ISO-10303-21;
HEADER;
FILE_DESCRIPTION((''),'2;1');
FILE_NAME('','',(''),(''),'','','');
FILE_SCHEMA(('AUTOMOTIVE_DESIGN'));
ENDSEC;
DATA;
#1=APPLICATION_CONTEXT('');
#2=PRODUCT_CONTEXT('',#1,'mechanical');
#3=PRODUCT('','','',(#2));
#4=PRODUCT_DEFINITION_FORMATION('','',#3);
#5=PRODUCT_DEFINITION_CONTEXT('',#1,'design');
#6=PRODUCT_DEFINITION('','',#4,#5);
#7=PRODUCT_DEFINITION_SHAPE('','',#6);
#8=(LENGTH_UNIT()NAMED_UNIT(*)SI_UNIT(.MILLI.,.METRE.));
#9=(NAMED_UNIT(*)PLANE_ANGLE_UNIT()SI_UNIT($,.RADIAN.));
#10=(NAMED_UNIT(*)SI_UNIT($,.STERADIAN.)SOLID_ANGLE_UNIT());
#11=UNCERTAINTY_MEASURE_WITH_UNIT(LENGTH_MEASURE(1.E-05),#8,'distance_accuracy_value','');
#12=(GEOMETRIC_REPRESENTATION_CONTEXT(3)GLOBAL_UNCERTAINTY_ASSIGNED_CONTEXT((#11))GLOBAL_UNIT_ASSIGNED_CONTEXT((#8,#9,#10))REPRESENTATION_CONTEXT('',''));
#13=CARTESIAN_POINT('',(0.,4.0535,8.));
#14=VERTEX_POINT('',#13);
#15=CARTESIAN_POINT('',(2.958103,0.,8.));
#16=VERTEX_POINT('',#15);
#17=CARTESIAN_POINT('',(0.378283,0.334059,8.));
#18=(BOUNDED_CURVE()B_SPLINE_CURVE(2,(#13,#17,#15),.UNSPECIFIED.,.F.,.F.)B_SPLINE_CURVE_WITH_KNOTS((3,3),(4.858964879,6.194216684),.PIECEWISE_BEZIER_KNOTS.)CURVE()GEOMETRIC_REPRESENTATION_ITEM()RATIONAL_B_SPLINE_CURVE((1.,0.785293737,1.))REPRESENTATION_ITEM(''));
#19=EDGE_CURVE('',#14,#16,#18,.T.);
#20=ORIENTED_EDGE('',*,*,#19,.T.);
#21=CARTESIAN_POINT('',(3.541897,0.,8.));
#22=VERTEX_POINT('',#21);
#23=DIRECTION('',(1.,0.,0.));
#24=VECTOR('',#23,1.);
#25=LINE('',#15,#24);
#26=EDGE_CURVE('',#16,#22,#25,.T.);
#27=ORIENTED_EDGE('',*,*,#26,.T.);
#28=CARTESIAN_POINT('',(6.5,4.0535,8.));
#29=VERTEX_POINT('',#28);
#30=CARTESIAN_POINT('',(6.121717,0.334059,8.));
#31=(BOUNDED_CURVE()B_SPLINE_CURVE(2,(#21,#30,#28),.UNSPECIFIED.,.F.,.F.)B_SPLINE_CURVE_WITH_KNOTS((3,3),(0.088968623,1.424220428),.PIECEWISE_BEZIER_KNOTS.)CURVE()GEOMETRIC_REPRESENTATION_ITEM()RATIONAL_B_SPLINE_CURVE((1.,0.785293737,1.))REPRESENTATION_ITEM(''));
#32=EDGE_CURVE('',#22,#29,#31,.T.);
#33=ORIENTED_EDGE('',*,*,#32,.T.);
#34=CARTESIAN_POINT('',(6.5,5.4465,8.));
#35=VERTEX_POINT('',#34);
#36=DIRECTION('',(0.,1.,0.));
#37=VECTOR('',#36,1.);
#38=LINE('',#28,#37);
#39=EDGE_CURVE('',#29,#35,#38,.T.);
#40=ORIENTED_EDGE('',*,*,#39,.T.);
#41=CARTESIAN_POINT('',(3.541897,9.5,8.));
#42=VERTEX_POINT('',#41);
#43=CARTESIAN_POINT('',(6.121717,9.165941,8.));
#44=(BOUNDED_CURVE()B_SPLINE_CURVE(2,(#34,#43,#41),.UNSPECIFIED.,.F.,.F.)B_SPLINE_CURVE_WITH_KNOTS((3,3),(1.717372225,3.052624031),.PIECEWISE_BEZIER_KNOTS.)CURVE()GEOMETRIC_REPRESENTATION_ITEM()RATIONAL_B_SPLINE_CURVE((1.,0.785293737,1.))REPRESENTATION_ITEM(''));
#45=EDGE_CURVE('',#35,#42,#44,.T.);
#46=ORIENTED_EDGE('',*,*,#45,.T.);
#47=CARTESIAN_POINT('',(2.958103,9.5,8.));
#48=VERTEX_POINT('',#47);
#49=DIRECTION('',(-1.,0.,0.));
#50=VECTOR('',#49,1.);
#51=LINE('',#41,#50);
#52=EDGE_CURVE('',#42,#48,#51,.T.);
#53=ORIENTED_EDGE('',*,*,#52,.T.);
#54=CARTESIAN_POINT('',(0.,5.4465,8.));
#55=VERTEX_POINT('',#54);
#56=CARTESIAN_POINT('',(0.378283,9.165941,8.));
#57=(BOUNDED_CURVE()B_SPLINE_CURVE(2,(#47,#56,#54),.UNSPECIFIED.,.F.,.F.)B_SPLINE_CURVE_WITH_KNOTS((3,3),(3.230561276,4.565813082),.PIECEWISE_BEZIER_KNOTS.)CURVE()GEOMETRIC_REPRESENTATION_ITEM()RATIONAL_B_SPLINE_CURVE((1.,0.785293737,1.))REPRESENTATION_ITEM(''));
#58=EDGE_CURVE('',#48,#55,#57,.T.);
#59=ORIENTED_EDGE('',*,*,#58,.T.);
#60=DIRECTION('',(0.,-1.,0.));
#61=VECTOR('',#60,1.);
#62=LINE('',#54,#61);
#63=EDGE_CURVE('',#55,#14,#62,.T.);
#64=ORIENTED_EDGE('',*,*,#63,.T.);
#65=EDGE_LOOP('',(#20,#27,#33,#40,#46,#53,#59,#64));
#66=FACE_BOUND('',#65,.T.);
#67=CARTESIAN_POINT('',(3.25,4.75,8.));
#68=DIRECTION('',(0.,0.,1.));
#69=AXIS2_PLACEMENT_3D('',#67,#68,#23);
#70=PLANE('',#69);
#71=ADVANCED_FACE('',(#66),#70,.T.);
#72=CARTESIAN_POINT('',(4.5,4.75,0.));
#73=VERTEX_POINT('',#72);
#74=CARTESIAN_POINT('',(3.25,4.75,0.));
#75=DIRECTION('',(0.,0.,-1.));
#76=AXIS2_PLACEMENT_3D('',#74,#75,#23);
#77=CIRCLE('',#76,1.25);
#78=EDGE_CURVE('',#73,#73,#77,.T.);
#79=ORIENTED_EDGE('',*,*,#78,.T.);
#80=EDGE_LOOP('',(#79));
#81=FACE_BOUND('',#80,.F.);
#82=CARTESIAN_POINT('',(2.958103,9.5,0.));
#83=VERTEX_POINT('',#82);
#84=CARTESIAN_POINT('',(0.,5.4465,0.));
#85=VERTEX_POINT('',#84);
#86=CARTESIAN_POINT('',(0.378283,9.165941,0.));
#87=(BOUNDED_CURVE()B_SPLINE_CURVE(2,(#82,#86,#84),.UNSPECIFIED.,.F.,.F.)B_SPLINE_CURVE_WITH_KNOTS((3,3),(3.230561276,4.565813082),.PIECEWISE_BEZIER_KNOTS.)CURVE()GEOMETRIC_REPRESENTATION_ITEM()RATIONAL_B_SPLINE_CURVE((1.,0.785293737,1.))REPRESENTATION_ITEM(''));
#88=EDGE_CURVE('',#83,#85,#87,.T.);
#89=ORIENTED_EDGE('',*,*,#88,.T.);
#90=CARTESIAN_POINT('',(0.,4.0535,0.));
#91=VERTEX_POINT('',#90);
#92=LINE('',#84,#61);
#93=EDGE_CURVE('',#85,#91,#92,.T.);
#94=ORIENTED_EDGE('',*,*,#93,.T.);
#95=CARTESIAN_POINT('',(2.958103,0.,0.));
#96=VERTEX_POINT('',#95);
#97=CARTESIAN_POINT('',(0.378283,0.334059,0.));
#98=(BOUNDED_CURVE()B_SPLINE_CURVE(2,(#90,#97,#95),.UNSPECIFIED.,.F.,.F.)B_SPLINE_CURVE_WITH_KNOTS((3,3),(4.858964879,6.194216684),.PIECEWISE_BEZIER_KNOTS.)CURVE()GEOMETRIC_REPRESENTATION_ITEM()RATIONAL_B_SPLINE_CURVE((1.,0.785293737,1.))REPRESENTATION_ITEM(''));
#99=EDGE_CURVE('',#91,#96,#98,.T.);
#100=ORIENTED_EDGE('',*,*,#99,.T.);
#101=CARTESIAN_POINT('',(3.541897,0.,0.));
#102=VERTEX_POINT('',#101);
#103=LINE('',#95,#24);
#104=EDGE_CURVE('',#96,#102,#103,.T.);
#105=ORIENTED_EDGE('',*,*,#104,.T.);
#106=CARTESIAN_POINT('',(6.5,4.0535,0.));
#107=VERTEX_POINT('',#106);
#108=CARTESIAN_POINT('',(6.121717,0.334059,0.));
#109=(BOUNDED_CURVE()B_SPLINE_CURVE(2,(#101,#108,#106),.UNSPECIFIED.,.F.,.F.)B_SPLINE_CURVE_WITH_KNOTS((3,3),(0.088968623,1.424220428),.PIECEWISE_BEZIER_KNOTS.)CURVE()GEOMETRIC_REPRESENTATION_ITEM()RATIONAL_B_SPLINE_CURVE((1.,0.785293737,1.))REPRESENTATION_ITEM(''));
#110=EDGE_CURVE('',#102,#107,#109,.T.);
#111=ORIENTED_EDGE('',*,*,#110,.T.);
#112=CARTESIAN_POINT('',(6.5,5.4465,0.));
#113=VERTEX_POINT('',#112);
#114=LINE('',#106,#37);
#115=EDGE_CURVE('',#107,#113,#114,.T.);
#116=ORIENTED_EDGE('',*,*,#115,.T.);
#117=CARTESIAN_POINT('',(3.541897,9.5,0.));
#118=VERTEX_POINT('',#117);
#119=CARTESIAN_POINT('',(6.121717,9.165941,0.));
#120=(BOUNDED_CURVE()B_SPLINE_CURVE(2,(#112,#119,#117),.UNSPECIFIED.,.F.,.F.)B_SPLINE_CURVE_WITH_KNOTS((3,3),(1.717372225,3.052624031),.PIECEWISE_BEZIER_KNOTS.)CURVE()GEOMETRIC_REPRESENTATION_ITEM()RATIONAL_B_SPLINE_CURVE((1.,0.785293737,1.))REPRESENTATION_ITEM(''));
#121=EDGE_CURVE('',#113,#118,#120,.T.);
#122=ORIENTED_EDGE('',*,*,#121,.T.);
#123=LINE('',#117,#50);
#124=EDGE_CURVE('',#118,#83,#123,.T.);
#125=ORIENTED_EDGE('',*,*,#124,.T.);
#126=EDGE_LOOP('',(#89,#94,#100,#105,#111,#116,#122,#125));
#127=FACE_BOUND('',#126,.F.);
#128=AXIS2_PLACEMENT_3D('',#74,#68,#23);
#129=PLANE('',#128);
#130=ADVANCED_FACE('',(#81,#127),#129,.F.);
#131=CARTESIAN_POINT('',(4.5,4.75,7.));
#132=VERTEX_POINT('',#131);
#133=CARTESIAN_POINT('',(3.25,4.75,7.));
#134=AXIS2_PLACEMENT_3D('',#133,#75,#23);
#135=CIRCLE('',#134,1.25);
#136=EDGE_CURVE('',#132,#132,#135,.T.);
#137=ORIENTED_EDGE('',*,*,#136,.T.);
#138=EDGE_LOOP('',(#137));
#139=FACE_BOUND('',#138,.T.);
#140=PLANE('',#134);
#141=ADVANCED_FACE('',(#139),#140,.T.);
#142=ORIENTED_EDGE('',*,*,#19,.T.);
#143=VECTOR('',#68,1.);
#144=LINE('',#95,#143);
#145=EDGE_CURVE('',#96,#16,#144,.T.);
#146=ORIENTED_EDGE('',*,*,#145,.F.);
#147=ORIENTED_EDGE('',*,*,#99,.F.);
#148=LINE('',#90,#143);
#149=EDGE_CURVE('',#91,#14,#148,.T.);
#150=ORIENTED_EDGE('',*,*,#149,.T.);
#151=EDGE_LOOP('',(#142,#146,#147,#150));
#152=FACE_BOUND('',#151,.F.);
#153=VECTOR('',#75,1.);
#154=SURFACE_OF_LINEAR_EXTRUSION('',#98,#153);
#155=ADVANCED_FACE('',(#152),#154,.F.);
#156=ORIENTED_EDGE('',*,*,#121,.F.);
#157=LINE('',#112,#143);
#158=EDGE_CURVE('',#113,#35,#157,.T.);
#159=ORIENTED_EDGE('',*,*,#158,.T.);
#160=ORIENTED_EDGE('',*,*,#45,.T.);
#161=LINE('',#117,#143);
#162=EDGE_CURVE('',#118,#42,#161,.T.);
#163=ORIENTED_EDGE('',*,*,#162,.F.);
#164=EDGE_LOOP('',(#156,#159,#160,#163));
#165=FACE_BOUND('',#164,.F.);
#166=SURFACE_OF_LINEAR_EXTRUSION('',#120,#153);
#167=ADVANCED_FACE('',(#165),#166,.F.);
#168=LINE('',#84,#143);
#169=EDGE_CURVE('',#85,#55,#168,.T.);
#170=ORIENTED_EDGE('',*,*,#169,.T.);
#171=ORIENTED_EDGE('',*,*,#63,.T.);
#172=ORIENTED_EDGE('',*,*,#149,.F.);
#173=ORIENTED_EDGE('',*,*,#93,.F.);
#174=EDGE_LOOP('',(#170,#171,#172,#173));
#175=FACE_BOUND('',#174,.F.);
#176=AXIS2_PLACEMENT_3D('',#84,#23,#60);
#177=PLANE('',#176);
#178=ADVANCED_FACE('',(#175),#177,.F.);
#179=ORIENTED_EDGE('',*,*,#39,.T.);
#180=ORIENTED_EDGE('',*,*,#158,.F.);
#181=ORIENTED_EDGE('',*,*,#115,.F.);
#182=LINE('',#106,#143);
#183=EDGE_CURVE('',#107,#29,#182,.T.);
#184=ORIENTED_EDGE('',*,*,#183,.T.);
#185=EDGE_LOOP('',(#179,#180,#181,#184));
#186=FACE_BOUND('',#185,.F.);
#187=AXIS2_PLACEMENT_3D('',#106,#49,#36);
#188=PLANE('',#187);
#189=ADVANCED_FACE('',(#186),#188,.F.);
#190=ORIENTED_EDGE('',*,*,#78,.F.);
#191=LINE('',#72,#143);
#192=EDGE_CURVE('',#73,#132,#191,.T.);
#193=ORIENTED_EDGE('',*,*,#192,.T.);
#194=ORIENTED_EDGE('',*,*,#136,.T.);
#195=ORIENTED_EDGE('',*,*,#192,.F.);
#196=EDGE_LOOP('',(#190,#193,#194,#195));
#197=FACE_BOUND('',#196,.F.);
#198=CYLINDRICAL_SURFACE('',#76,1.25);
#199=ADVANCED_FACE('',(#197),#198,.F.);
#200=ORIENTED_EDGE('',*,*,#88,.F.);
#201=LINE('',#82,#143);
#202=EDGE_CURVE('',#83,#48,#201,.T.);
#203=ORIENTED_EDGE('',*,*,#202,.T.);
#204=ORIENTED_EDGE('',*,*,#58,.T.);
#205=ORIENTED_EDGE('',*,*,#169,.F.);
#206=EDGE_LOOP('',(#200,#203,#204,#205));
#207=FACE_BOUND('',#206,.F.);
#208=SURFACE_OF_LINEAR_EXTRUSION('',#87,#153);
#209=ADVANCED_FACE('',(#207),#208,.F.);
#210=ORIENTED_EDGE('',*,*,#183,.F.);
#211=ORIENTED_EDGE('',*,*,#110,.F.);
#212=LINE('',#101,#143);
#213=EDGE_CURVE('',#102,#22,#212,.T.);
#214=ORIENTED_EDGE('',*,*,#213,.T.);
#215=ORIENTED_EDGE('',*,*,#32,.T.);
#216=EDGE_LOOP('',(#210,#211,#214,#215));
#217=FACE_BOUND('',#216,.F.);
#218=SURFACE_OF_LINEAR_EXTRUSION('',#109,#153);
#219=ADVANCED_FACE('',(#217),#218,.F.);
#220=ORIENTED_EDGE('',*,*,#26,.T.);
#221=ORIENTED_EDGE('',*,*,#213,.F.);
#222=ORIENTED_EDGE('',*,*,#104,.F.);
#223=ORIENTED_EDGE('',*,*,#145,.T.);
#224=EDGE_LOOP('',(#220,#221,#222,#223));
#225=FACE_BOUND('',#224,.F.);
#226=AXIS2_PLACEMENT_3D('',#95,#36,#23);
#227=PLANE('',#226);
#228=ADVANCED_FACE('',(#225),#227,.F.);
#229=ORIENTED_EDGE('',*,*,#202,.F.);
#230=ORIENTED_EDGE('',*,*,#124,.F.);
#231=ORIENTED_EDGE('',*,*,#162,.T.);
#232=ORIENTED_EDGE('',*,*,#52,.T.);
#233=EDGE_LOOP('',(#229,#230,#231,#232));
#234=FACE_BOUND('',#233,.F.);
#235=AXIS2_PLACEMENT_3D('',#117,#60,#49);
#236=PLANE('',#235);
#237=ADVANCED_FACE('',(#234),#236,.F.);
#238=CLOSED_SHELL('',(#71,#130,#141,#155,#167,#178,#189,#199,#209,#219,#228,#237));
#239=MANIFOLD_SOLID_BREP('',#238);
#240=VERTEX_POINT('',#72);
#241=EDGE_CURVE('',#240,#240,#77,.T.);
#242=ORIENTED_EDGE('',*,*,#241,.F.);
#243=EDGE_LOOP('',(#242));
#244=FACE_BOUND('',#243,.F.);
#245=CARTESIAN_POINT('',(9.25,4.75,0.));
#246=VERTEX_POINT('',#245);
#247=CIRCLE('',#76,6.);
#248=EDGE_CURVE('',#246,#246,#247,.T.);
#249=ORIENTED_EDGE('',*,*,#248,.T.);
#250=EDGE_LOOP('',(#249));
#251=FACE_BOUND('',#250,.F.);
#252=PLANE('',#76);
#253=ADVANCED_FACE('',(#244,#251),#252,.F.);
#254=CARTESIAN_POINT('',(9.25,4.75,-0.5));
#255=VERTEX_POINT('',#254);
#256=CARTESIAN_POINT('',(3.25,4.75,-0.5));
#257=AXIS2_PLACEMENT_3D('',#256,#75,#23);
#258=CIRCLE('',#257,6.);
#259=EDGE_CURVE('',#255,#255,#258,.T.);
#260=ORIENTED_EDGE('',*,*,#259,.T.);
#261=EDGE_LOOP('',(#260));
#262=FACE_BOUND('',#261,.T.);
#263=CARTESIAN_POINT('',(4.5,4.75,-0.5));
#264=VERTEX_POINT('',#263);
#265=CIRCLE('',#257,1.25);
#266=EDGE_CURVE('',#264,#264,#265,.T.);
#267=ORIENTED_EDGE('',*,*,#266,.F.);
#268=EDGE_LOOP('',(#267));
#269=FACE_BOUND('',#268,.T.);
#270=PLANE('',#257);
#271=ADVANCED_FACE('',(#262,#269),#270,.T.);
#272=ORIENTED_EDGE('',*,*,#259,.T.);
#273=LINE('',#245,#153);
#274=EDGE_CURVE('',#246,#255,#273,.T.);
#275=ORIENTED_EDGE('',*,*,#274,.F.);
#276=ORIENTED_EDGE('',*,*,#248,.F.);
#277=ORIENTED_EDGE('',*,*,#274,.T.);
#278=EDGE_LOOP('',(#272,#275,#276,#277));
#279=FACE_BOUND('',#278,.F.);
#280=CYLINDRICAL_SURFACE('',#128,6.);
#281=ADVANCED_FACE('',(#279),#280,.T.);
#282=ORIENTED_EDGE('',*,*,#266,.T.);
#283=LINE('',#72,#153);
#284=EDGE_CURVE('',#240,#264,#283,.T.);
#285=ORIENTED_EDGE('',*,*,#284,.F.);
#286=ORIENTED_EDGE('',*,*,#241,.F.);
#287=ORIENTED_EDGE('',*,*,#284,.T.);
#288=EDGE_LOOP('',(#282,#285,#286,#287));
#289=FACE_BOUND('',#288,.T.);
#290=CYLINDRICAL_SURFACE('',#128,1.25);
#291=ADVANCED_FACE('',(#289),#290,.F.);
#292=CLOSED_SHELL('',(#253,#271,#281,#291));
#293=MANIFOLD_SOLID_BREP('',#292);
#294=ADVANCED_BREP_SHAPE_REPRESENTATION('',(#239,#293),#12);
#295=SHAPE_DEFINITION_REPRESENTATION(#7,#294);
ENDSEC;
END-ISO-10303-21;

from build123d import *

# Parameters (mm, degrees)
F1_DEPTH = 8
F2_R     = 6
F2_R_2   = 1.25
F3_DEPTH = 0.5
F4_DEPTH = 7


with BuildPart() as f1:
    # F0 (on Top) → F1 (new body)
    with BuildSketch(Plane.XY):
        with BuildLine():
            add(Edge.make_bspline(
                [(0, 4.0535001257), (0.3782830439, 0.3340592761), (2.958103263, 0)],
                knots=[4.8589648787, 4.8589648787, 4.8589648787, 6.1942166845, 6.1942166845, 6.1942166845], degree=2, weights=[1, 0.7852937366, 1]))
            Line((2.958103263, 0), (3.541896737, 0))
            add(Edge.make_bspline(
                [(3.541896737, 0), (6.1217169561, 0.3340592761), (6.5, 4.0535001257)],
                knots=[0.0889686226, 0.0889686226, 0.0889686226, 1.4242204285, 1.4242204285, 1.4242204285], degree=2, weights=[1, 0.7852937366, 1]))
            Line((6.5, 4.0535001257), (6.5, 5.4464998743))
            add(Edge.make_bspline(
                [(6.5, 5.4464998743), (6.1217169561, 9.1659407239), (3.541896737, 9.5)],
                knots=[1.7173722251, 1.7173722251, 1.7173722251, 3.0526240309, 3.0526240309, 3.0526240309], degree=2, weights=[1, 0.7852937366, 1]))
            Line((3.541896737, 9.5), (2.958103263, 9.5))
            add(Edge.make_bspline(
                [(2.958103263, 9.5), (0.3782830439, 9.1659407239), (0, 5.4464998743)],
                knots=[3.2305612762, 3.2305612762, 3.2305612762, 4.5658130821, 4.5658130821, 4.5658130821], degree=2, weights=[1, 0.7852937366, 1]))
            Line((0, 5.4464998743), (0, 4.0535001257))
        make_face()
    extrude(amount=F1_DEPTH)

    # F2 (on face) → F4 (cut)
    with BuildSketch(Plane(origin=(0, 0, 0), x_dir=(1, 0, 0), z_dir=(0, 0, -1))):
        with Locations((3.25, -4.75)):
            Circle(F2_R_2)
    extrude(amount=-F4_DEPTH, mode=Mode.SUBTRACT)


with BuildPart() as f3:
    # F2 (on face) → F3 (new body)
    with BuildSketch(Plane(origin=(0, 0, 0), x_dir=(1, 0, 0), z_dir=(0, 0, -1))):
        with Locations((3.25, -4.75)):
            Circle(F2_R)
        with BuildLine():
            Line((0, -5.4464998743), (0, -4.0535001257))
            add(Edge.make_bspline(
                [(0, -4.0535001257), (0.3782830439, -0.3340592761), (2.958103263, 0)],
                knots=[4.8589648787, 4.8589648787, 4.8589648787, 6.1942166845, 6.1942166845, 6.1942166845], degree=2, weights=[1, 0.7852937366, 1]))
            Line((2.958103263, 0), (3.541896737, 0))
            add(Edge.make_bspline(
                [(3.541896737, 0), (6.1217169561, -0.3340592761), (6.5, -4.0535001257)],
                knots=[0.0889686226, 0.0889686226, 0.0889686226, 1.4242204285, 1.4242204285, 1.4242204285], degree=2, weights=[1, 0.7852937366, 1]))
            Line((6.5, -4.0535001257), (6.5, -5.4464998743))
            add(Edge.make_bspline(
                [(6.5, -5.4464998743), (6.1217169561, -9.1659407239), (3.541896737, -9.5)],
                knots=[1.7173722251, 1.7173722251, 1.7173722251, 3.0526240309, 3.0526240309, 3.0526240309], degree=2, weights=[1, 0.7852937366, 1]))
            Line((3.541896737, -9.5), (2.958103263, -9.5))
            add(Edge.make_bspline(
                [(2.958103263, -9.5), (0.3782830439, -9.1659407239), (0, -5.4464998743)],
                knots=[3.2305612762, 3.2305612762, 3.2305612762, 4.5658130821, 4.5658130821, 4.5658130821], degree=2, weights=[1, 0.7852937366, 1]))
        make_face(mode=Mode.SUBTRACT)
        with BuildLine():
            add(Edge.make_bspline(
                [(0, -4.0535001257), (0.3782830439, -0.3340592761), (2.958103263, 0)],
                knots=[4.8589648787, 4.8589648787, 4.8589648787, 6.1942166845, 6.1942166845, 6.1942166845], degree=2, weights=[1, 0.7852937366, 1]))
            Line((0, -4.0535001257), (0, -5.4464998743))
            add(Edge.make_bspline(
                [(2.958103263, -9.5), (0.3782830439, -9.1659407239), (0, -5.4464998743)],
                knots=[3.2305612762, 3.2305612762, 3.2305612762, 4.5658130821, 4.5658130821, 4.5658130821], degree=2, weights=[1, 0.7852937366, 1]))
            Line((2.958103263, -9.5), (3.541896737, -9.5))
            add(Edge.make_bspline(
                [(6.5, -5.4464998743), (6.1217169561, -9.1659407239), (3.541896737, -9.5)],
                knots=[1.7173722251, 1.7173722251, 1.7173722251, 3.0526240309, 3.0526240309, 3.0526240309], degree=2, weights=[1, 0.7852937366, 1]))
            Line((6.5, -5.4464998743), (6.5, -4.0535001257))
            add(Edge.make_bspline(
                [(3.541896737, 0), (6.1217169561, -0.3340592761), (6.5, -4.0535001257)],
                knots=[0.0889686226, 0.0889686226, 0.0889686226, 1.4242204285, 1.4242204285, 1.4242204285], degree=2, weights=[1, 0.7852937366, 1]))
            Line((3.541896737, 0), (2.958103263, 0))
        make_face()
        with Locations((3.25, -4.75)):
            Circle(F2_R_2, mode=Mode.SUBTRACT)
    extrude(amount=F3_DEPTH)


solid = Compound([f1.part, f3.part])
